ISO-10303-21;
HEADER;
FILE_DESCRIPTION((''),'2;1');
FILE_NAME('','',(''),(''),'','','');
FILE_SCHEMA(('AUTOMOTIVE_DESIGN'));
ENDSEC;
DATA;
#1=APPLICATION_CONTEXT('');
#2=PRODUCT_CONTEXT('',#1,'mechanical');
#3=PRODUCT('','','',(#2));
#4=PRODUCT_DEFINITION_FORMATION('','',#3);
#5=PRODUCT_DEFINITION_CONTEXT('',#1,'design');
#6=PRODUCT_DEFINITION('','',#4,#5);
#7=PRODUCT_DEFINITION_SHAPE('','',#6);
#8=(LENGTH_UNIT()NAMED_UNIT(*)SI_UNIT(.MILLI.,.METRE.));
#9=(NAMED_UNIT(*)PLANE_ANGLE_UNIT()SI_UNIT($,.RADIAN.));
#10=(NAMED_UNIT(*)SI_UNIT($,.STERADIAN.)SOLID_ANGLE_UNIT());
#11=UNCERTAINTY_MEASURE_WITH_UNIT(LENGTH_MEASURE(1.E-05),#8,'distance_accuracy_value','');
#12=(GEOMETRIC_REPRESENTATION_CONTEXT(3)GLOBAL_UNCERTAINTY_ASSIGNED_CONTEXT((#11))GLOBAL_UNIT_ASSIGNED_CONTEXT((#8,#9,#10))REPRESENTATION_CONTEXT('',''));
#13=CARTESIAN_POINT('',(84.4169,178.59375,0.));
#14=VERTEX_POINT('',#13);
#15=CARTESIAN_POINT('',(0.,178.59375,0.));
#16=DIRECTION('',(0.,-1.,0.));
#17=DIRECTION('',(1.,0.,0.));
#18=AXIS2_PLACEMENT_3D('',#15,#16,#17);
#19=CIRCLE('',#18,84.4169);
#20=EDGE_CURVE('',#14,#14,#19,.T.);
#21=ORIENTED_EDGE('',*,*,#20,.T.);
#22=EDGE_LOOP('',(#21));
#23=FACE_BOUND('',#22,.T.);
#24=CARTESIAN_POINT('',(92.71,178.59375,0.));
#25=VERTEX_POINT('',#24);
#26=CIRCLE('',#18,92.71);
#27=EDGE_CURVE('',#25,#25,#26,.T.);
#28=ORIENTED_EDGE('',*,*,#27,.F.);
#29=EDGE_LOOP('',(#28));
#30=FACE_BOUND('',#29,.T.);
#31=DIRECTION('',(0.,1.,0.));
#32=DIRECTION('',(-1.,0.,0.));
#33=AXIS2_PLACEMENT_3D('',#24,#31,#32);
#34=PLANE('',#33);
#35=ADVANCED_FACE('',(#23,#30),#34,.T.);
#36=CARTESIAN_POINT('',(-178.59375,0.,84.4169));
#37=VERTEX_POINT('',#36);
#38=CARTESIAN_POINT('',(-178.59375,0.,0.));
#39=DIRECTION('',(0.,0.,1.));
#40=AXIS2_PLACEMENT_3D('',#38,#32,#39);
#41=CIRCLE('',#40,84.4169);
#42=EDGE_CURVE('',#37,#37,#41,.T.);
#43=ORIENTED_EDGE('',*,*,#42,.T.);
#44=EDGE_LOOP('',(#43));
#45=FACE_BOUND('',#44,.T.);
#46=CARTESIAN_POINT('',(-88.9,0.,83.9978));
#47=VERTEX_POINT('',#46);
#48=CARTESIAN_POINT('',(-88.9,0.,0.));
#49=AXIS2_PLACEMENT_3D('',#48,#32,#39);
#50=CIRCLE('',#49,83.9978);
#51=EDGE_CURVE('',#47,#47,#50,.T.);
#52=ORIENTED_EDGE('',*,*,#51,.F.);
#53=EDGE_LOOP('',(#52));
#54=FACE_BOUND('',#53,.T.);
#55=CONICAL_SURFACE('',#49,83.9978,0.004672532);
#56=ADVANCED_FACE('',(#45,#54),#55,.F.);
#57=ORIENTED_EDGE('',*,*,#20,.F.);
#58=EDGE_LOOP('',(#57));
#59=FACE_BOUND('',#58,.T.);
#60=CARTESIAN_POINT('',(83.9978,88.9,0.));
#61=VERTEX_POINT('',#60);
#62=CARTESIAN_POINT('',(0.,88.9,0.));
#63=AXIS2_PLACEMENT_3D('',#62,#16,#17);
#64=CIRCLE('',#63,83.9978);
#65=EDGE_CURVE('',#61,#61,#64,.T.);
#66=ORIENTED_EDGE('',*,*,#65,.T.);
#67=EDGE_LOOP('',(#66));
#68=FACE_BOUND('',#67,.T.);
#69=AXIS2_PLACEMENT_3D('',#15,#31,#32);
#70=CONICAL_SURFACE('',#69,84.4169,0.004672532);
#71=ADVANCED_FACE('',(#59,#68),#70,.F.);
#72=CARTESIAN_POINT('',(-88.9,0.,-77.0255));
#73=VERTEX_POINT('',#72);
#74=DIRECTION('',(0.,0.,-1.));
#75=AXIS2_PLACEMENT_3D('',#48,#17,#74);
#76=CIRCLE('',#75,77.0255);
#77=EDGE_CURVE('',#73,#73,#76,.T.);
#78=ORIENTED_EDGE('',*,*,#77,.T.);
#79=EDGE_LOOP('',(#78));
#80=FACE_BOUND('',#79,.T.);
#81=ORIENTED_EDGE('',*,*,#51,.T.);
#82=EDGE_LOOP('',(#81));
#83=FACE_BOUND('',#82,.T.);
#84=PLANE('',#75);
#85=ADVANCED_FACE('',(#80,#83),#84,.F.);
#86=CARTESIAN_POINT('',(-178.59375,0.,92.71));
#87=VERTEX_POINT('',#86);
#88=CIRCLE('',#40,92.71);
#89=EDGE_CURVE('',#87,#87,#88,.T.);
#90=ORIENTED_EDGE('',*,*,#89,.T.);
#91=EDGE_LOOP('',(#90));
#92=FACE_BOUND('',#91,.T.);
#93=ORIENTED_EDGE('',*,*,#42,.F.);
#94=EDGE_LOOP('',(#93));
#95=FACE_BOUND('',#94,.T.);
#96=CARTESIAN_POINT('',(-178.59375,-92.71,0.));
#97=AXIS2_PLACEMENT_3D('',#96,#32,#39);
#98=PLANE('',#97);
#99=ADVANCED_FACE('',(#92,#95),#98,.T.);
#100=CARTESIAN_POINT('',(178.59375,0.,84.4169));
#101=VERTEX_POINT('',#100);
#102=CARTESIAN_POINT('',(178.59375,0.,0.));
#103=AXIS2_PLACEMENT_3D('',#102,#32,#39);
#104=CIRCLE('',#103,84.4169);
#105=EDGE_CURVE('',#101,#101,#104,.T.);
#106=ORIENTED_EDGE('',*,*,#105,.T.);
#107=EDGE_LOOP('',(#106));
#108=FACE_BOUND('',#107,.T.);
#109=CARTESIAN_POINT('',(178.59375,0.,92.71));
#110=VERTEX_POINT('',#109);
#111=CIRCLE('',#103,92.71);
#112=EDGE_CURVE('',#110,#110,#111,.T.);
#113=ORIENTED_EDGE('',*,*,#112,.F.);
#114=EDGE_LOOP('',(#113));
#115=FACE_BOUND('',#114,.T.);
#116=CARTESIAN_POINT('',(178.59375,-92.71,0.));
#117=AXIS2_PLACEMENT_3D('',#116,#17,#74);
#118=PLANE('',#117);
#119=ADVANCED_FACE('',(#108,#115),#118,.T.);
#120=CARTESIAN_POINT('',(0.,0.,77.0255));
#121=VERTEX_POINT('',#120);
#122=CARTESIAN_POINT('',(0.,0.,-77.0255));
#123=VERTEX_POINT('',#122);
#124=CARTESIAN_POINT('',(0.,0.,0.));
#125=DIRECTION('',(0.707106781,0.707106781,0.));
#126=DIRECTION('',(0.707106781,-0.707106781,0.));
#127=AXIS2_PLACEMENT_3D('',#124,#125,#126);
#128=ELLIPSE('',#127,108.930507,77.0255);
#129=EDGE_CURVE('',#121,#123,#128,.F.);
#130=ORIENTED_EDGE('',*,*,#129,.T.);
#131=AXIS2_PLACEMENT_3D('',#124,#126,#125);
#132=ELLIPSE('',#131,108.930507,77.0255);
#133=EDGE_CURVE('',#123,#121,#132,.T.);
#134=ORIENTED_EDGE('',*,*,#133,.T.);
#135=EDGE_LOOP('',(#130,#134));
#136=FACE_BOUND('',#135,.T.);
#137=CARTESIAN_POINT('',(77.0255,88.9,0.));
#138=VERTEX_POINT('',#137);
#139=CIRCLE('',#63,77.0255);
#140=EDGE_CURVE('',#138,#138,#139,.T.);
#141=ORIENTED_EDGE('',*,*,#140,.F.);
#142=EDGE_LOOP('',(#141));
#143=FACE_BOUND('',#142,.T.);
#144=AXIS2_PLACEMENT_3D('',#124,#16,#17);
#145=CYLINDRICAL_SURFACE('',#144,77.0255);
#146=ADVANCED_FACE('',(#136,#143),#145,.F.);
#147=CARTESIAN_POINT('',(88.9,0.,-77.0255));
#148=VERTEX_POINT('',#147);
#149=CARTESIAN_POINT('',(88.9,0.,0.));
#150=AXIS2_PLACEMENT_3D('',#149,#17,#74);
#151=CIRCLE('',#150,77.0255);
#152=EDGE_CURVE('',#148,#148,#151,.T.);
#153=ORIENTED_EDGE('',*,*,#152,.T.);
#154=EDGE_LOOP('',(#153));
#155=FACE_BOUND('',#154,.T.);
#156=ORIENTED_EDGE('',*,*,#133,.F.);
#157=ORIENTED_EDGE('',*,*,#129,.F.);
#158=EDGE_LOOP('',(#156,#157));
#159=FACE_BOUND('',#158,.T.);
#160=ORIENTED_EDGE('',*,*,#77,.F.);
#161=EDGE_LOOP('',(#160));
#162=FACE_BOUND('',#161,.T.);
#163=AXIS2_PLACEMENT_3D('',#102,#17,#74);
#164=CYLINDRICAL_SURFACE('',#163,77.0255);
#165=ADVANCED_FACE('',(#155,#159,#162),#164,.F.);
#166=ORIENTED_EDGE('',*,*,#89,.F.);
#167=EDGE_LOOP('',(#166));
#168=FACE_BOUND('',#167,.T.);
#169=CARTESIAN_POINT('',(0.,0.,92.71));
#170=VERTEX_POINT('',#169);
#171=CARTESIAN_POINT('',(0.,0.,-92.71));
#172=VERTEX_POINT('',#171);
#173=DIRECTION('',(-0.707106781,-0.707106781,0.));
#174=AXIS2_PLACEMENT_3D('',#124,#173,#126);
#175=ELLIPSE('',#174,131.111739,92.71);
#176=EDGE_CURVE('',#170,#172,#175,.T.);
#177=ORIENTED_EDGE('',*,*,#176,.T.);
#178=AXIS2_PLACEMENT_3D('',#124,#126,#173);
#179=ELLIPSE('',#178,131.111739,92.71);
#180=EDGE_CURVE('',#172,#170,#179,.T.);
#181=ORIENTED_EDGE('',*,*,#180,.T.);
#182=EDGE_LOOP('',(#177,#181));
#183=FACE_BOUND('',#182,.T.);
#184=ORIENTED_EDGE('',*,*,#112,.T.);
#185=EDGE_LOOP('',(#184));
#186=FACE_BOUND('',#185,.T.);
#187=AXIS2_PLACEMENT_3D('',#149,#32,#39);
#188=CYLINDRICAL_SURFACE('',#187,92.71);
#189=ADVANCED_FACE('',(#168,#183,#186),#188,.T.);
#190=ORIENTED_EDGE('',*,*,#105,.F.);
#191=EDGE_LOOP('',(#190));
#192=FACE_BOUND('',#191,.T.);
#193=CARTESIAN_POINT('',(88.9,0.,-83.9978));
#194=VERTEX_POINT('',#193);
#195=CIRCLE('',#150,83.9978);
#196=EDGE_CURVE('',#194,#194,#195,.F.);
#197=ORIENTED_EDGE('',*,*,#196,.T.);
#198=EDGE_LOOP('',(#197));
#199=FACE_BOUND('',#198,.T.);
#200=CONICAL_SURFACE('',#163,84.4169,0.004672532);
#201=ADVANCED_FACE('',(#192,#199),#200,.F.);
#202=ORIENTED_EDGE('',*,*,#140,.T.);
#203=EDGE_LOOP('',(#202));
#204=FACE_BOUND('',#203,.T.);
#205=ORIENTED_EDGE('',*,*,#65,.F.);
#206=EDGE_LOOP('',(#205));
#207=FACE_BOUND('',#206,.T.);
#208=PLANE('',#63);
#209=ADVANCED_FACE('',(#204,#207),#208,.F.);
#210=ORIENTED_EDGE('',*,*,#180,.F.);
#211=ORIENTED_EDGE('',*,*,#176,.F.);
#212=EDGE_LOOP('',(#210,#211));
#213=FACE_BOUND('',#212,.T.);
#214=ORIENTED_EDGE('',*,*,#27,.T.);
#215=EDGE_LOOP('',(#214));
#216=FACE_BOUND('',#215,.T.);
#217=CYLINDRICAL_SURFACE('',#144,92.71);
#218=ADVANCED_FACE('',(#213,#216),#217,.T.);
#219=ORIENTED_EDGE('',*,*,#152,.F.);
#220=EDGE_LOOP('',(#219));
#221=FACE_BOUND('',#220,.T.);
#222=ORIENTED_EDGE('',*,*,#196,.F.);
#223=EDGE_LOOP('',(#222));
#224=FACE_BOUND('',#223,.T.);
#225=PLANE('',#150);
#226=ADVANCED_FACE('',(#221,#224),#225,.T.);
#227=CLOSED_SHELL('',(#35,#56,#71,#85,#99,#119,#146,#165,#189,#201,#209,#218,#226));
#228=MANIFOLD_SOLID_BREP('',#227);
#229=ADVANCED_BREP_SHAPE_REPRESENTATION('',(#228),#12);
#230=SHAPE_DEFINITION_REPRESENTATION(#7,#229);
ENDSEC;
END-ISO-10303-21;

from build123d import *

# Parameters (mm, degrees)
SKETCH4_R           = 92.71
BOSS_EXTRUDE1_DEPTH = 177.8
SKETCH5_R           = 92.71
BOSS_EXTRUDE2_DEPTH = 88.9


with BuildPart() as part:
    # Sketch1 → Revolve1 (revolve)
    with BuildSketch(Plane.XY, mode=Mode.PRIVATE) as revolve1_sk:
        Polygon((-178.59375, -92.71), (-88.9, -92.71), (-88.9, -83.9978), (-178.59375, -84.4169), align=None)
        Polygon((178.59375, -84.4169), (88.9, -83.9978), (88.9, -92.71), (178.59375, -92.71), align=None)
    revolve(revolve1_sk.sketch.rotate(Axis((-178.59375, 0, 0), (1, 0, 0)), 270), axis=Axis((-178.59375, 0, 0), (1, 0, 0)))



with BuildPart() as body_2:
    # Sketch2 → Revolve2 (revolve)
    with BuildSketch(Plane.XY):
        Polygon((84.4169, 178.59375), (83.9978, 88.9), (92.71, 88.9), (92.71, 178.59375), align=None)
    revolve(axis=Axis((0, 0, 0), (0, 1, 0)))


with BuildPart() as part_1:
    add(part.part)

    add(body_2.part)  # Boss-Extrude1 merges body 2
    # Sketch4 → Boss-Extrude1 (add)
    with BuildSketch(Plane(origin=(-88.9, 0, 0), x_dir=(0, 0, -1), z_dir=(1, 0, 0))):
        with Locations(Location((0, 0, 0), (0, 0, 180))):
            Circle(SKETCH4_R)
    extrude(amount=BOSS_EXTRUDE1_DEPTH)

    # Sketch5 → Boss-Extrude2 (add)
    with BuildSketch(Plane.XZ.offset(-88.9)):
        Circle(SKETCH5_R)
    extrude(amount=BOSS_EXTRUDE2_DEPTH)

    # Sketch6 → Cut-Revolve1 (revolve, cut)
    with BuildSketch(Plane.XY, mode=Mode.PRIVATE) as cut_revolve1_sk:
        Polygon((-178.59375, -84.4169), (-88.9, -83.9978), (-88.9, -77.0255), (88.9, -77.0255), (88.9, -83.9978), (178.59375, -84.4169), (178.59375, 0), (-178.59375, 0), align=None)
    revolve(cut_revolve1_sk.sketch.rotate(Axis((178.59375, 0, 0), (-1, 0, 0)), 270), axis=Axis((178.59375, 0, 0), (-1, 0, 0)), mode=Mode.SUBTRACT)

    # Sketch7 → Cut-Revolve2 (revolve, cut)
    with BuildSketch(Plane.XY):
        Polygon((84.4169, 178.59375), (83.9978, 88.9), (77.0255, 88.9), (77.0255, 0), (0, 0), (0, 178.59375), align=None)
    revolve(axis=Axis((0, 0, 0), (0, 1, 0)), mode=Mode.SUBTRACT)


solid = part_1.part
